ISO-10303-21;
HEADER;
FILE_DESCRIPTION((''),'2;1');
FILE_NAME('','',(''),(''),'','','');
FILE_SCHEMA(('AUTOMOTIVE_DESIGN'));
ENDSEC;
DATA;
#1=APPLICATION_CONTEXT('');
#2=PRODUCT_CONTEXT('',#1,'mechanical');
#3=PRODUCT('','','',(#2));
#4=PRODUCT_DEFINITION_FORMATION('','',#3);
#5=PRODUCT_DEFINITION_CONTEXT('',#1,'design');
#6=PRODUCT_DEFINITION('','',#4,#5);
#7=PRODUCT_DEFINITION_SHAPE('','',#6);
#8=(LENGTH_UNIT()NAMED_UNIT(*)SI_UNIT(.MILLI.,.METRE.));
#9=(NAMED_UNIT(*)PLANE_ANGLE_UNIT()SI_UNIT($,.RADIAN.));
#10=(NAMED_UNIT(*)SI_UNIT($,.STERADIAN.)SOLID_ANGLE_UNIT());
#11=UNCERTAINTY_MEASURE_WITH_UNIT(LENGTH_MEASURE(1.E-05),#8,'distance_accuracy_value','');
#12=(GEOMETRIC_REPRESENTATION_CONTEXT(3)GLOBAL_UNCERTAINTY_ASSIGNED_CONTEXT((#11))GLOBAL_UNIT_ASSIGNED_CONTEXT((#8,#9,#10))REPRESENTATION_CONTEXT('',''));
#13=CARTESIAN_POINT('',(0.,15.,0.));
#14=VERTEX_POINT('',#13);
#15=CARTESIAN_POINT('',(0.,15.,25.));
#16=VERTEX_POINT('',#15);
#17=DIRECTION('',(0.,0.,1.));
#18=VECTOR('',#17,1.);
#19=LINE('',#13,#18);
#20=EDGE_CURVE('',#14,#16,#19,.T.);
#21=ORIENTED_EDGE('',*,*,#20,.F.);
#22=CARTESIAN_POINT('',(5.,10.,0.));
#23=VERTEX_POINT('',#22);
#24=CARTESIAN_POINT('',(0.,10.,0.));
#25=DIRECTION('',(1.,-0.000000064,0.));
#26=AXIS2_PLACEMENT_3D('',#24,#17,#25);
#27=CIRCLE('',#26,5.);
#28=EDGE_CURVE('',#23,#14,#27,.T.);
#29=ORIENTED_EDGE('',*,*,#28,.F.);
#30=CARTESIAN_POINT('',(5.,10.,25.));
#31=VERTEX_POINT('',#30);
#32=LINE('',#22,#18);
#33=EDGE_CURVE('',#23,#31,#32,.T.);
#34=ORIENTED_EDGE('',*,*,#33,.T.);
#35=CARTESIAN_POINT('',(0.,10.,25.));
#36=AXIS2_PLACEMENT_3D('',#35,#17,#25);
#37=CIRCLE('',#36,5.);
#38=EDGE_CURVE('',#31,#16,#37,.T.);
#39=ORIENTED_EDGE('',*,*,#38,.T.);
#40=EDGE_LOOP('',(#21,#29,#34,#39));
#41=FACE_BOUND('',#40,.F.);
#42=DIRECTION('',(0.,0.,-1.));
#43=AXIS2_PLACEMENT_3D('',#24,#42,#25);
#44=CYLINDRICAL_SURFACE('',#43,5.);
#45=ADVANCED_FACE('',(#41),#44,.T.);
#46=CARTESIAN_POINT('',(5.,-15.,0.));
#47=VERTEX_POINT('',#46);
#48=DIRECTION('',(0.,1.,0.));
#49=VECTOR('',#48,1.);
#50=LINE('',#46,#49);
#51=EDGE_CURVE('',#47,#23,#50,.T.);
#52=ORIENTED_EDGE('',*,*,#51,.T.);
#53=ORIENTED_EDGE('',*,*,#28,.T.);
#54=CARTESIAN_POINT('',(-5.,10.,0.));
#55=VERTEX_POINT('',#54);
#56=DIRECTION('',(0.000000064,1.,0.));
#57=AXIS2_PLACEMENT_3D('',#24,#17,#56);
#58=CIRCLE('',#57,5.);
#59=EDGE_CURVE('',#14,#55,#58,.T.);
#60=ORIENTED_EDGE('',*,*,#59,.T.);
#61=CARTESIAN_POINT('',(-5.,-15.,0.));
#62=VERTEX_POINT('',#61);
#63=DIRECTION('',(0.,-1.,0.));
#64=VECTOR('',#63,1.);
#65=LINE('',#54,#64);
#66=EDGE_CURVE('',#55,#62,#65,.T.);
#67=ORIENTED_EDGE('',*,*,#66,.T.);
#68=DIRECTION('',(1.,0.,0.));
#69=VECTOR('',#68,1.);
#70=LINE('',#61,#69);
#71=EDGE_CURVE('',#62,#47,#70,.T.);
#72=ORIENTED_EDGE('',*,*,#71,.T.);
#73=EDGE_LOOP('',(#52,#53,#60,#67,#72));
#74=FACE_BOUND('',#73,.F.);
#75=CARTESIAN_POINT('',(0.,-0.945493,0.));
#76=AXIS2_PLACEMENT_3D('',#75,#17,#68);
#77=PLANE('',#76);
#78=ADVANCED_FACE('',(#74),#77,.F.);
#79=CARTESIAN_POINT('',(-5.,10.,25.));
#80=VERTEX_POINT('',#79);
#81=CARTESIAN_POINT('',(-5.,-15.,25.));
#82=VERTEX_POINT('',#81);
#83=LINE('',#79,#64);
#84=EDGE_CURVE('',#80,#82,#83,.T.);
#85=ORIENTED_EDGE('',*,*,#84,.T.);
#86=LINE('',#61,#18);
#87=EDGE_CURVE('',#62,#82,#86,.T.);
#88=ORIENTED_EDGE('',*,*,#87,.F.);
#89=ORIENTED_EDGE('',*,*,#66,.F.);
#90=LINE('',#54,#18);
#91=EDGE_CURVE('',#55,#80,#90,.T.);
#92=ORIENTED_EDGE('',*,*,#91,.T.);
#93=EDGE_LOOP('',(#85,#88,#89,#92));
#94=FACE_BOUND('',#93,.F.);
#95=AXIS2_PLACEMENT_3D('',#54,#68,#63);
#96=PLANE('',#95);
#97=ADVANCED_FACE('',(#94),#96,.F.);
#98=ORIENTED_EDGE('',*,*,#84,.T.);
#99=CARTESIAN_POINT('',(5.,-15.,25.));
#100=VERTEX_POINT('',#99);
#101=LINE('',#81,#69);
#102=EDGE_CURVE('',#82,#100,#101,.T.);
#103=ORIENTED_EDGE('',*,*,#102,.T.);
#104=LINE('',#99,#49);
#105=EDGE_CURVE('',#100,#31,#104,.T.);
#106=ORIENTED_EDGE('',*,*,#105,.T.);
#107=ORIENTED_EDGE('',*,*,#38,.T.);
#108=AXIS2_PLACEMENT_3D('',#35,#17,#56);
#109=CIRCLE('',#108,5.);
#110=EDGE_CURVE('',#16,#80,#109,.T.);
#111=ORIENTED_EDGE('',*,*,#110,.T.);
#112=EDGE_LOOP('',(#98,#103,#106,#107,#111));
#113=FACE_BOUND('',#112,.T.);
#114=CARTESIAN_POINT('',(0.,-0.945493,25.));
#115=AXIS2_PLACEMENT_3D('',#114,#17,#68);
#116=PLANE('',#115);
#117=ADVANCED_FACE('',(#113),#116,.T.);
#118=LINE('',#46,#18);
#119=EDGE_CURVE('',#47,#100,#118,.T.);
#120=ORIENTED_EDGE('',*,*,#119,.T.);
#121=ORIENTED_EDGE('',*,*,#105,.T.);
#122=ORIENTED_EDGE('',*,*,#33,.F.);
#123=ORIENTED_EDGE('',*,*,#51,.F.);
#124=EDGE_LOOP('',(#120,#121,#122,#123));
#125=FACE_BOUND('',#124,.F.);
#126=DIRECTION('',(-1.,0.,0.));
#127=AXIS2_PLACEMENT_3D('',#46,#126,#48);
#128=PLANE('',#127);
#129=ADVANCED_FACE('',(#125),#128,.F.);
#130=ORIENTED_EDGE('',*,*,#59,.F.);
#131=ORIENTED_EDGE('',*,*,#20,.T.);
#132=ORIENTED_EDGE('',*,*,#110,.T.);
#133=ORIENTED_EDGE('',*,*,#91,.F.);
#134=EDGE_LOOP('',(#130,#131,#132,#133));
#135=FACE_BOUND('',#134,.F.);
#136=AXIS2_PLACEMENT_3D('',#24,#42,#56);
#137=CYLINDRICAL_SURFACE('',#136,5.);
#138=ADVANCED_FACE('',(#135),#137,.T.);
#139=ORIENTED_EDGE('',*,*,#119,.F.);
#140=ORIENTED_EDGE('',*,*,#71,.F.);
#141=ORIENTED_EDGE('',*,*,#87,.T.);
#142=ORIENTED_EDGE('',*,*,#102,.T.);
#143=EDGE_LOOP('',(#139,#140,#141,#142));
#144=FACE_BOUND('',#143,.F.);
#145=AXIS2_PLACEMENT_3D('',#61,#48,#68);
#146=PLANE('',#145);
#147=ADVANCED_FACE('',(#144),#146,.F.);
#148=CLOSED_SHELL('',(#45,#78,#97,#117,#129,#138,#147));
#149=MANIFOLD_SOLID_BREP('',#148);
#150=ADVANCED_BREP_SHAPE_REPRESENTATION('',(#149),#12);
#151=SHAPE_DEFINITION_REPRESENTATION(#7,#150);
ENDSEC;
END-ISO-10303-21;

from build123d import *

# Parameters (mm, degrees)
F1_DEPTH = 25


with BuildPart() as f1:
    # F0 (on Top) → F1 (new body)
    with BuildSketch(Plane.XY):
        with BuildLine():
            Line((-5, -15), (5, -15))
            Line((5, -15), (5, 10))
            ThreePointArc((5, 10), (3.535534, 13.535534), (0, 15))
            ThreePointArc((0, 15), (-3.535534, 13.535534), (-5, 10))
            Line((-5, 10), (-5, -15))
        make_face()
    extrude(amount=F1_DEPTH)


solid = f1.part
